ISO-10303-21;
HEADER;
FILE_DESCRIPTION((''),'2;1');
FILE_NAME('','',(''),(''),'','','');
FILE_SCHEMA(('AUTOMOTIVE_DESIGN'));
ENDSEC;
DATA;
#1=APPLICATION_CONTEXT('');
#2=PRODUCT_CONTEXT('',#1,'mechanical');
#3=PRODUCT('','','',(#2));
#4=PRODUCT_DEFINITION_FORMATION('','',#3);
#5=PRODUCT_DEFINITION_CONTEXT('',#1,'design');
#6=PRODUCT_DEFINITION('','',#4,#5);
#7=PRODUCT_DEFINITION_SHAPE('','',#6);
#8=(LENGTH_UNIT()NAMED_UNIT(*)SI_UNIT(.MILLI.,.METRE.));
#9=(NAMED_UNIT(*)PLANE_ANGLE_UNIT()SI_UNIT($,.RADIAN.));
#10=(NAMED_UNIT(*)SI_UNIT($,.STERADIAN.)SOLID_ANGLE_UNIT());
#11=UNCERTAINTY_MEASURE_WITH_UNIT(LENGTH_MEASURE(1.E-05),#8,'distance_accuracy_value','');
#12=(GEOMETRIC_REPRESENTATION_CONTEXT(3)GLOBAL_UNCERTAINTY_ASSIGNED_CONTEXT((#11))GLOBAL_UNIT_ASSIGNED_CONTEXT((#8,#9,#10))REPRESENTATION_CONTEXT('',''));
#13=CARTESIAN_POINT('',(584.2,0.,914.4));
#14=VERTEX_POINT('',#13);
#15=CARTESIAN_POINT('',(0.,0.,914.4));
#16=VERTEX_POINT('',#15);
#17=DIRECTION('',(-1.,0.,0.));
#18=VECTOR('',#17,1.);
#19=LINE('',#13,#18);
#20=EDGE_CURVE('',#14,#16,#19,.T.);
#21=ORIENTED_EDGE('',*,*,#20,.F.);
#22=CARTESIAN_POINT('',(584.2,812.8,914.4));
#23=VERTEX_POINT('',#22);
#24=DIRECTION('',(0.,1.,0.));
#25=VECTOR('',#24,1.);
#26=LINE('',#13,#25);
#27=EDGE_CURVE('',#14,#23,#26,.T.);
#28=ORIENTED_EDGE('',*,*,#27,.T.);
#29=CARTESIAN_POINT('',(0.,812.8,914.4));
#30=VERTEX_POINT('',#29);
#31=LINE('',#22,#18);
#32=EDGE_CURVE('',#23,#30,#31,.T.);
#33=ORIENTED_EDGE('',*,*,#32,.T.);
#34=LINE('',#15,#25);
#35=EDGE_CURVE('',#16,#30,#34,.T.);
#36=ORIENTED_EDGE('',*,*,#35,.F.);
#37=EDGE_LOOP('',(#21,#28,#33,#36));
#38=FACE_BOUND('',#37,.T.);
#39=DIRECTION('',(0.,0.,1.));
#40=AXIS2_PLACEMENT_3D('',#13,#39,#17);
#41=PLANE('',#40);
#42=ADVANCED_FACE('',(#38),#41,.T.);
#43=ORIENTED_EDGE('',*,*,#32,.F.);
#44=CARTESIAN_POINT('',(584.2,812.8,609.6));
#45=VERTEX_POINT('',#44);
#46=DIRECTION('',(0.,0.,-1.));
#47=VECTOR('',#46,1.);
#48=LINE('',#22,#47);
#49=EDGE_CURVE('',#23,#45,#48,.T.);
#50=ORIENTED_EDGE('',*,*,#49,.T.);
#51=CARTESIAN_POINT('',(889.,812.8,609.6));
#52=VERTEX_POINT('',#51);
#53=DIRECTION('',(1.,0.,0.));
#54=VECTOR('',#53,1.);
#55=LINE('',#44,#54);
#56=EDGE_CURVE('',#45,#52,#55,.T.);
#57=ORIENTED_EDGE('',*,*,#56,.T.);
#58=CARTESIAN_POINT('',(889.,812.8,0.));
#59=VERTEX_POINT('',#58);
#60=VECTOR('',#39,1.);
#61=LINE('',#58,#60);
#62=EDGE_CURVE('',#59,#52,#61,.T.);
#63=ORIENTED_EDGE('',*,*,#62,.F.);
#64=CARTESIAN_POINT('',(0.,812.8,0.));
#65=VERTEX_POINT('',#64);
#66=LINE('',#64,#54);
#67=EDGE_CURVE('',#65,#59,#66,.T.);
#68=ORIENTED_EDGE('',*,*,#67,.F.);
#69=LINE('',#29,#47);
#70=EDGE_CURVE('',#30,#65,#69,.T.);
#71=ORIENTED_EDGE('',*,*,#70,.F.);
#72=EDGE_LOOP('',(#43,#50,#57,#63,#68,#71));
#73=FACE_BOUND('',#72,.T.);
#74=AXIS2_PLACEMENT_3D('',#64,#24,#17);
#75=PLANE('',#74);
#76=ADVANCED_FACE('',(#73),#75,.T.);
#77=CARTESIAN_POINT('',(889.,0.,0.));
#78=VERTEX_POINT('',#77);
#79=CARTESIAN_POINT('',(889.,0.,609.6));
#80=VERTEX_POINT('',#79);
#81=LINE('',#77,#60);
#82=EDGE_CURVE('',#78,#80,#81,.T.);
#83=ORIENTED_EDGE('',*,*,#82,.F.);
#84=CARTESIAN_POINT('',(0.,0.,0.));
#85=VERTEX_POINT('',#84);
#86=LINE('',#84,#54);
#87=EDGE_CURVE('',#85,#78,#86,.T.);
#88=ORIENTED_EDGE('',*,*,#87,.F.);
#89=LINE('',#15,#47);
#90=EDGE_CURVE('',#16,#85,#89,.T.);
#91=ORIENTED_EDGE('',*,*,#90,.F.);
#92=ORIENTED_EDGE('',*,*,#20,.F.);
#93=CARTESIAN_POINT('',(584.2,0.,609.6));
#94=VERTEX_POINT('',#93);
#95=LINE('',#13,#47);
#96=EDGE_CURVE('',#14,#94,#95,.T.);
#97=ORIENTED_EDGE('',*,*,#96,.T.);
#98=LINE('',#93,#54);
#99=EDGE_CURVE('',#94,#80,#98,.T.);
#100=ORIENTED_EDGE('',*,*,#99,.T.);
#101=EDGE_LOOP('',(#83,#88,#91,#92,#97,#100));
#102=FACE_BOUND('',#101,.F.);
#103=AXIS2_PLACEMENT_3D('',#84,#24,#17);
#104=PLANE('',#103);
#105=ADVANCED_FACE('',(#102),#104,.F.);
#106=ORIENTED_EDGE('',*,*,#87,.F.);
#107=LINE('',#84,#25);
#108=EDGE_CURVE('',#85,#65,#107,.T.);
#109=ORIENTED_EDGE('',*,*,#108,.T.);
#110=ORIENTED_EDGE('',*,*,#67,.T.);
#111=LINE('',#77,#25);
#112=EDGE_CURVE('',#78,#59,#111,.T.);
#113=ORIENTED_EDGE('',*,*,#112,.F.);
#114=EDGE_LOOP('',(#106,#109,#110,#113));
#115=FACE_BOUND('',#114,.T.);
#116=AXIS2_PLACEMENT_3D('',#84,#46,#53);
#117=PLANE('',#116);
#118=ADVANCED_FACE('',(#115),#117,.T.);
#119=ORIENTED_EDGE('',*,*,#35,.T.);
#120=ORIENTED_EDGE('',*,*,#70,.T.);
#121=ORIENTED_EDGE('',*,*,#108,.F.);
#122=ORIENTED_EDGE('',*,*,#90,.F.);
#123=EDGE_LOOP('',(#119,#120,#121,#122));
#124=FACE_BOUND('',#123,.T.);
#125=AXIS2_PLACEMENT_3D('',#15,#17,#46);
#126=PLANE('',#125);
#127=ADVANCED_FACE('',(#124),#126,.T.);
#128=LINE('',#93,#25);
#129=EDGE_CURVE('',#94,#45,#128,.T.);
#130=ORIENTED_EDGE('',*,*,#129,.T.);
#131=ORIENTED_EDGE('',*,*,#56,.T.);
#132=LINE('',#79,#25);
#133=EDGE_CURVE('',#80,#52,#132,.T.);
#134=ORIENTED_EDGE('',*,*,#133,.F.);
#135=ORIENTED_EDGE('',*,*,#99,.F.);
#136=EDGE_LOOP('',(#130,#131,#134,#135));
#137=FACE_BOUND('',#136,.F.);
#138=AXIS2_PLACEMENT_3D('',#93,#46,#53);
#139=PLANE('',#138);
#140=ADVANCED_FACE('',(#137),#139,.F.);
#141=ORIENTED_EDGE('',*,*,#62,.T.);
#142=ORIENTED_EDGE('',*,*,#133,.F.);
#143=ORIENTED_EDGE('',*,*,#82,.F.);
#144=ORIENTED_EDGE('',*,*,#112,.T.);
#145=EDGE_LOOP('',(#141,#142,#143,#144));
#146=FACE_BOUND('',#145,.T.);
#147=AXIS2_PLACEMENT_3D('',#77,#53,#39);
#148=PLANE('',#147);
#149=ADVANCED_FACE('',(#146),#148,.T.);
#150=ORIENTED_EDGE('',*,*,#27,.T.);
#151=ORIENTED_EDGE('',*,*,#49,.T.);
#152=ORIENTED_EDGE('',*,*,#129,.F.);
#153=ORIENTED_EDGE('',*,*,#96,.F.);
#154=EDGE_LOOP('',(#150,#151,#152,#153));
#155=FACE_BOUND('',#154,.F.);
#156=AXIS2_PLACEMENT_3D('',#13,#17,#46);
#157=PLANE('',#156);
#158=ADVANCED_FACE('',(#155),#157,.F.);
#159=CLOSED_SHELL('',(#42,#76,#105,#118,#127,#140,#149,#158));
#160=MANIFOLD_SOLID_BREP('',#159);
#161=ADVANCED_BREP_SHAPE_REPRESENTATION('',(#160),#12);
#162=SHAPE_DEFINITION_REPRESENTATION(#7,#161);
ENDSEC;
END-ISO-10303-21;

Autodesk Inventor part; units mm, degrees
ref_plane "YZ Plane" through (0, 0, 0) normal (1, 0, 0) x (0, 1, 0)
ref_plane "XZ Plane" through (0, 0, 0) normal (0, 1, 0) x (-1, 0, 0)
ref_plane "XY Plane" through (0, 0, 0) normal (0, 0, 1) x (1, 0, 0)
sketch "Sketch1" plane through (0, 0, 0) normal (0, 1, 0) x (-1, 0, 0)
  line L0 (0, 0) -> (-889, 0)
  line L1 (-889, 0) -> (-889, 609.6)
  line L2 (-584.2, 914.4) -> (0, 914.4)
  line L3 (0, 914.4) -> (0, 0)
  line L4 (-584.2, 914.4) -> (-584.2, 609.6)
  line L5 (-584.2, 609.6) -> (-889, 609.6)
  dimension "d9" = 914.4
  dimension "d10" = 889
  dimension "d11" = 609.6
  dimension "d12" = 304.8
  dimension "d13" = 584.2
extrude "Extrusion1" add sketch "Sketch1" along normal blind 812.8
properties part number "Corner_Cabinet" material "Wood (Birch)"
